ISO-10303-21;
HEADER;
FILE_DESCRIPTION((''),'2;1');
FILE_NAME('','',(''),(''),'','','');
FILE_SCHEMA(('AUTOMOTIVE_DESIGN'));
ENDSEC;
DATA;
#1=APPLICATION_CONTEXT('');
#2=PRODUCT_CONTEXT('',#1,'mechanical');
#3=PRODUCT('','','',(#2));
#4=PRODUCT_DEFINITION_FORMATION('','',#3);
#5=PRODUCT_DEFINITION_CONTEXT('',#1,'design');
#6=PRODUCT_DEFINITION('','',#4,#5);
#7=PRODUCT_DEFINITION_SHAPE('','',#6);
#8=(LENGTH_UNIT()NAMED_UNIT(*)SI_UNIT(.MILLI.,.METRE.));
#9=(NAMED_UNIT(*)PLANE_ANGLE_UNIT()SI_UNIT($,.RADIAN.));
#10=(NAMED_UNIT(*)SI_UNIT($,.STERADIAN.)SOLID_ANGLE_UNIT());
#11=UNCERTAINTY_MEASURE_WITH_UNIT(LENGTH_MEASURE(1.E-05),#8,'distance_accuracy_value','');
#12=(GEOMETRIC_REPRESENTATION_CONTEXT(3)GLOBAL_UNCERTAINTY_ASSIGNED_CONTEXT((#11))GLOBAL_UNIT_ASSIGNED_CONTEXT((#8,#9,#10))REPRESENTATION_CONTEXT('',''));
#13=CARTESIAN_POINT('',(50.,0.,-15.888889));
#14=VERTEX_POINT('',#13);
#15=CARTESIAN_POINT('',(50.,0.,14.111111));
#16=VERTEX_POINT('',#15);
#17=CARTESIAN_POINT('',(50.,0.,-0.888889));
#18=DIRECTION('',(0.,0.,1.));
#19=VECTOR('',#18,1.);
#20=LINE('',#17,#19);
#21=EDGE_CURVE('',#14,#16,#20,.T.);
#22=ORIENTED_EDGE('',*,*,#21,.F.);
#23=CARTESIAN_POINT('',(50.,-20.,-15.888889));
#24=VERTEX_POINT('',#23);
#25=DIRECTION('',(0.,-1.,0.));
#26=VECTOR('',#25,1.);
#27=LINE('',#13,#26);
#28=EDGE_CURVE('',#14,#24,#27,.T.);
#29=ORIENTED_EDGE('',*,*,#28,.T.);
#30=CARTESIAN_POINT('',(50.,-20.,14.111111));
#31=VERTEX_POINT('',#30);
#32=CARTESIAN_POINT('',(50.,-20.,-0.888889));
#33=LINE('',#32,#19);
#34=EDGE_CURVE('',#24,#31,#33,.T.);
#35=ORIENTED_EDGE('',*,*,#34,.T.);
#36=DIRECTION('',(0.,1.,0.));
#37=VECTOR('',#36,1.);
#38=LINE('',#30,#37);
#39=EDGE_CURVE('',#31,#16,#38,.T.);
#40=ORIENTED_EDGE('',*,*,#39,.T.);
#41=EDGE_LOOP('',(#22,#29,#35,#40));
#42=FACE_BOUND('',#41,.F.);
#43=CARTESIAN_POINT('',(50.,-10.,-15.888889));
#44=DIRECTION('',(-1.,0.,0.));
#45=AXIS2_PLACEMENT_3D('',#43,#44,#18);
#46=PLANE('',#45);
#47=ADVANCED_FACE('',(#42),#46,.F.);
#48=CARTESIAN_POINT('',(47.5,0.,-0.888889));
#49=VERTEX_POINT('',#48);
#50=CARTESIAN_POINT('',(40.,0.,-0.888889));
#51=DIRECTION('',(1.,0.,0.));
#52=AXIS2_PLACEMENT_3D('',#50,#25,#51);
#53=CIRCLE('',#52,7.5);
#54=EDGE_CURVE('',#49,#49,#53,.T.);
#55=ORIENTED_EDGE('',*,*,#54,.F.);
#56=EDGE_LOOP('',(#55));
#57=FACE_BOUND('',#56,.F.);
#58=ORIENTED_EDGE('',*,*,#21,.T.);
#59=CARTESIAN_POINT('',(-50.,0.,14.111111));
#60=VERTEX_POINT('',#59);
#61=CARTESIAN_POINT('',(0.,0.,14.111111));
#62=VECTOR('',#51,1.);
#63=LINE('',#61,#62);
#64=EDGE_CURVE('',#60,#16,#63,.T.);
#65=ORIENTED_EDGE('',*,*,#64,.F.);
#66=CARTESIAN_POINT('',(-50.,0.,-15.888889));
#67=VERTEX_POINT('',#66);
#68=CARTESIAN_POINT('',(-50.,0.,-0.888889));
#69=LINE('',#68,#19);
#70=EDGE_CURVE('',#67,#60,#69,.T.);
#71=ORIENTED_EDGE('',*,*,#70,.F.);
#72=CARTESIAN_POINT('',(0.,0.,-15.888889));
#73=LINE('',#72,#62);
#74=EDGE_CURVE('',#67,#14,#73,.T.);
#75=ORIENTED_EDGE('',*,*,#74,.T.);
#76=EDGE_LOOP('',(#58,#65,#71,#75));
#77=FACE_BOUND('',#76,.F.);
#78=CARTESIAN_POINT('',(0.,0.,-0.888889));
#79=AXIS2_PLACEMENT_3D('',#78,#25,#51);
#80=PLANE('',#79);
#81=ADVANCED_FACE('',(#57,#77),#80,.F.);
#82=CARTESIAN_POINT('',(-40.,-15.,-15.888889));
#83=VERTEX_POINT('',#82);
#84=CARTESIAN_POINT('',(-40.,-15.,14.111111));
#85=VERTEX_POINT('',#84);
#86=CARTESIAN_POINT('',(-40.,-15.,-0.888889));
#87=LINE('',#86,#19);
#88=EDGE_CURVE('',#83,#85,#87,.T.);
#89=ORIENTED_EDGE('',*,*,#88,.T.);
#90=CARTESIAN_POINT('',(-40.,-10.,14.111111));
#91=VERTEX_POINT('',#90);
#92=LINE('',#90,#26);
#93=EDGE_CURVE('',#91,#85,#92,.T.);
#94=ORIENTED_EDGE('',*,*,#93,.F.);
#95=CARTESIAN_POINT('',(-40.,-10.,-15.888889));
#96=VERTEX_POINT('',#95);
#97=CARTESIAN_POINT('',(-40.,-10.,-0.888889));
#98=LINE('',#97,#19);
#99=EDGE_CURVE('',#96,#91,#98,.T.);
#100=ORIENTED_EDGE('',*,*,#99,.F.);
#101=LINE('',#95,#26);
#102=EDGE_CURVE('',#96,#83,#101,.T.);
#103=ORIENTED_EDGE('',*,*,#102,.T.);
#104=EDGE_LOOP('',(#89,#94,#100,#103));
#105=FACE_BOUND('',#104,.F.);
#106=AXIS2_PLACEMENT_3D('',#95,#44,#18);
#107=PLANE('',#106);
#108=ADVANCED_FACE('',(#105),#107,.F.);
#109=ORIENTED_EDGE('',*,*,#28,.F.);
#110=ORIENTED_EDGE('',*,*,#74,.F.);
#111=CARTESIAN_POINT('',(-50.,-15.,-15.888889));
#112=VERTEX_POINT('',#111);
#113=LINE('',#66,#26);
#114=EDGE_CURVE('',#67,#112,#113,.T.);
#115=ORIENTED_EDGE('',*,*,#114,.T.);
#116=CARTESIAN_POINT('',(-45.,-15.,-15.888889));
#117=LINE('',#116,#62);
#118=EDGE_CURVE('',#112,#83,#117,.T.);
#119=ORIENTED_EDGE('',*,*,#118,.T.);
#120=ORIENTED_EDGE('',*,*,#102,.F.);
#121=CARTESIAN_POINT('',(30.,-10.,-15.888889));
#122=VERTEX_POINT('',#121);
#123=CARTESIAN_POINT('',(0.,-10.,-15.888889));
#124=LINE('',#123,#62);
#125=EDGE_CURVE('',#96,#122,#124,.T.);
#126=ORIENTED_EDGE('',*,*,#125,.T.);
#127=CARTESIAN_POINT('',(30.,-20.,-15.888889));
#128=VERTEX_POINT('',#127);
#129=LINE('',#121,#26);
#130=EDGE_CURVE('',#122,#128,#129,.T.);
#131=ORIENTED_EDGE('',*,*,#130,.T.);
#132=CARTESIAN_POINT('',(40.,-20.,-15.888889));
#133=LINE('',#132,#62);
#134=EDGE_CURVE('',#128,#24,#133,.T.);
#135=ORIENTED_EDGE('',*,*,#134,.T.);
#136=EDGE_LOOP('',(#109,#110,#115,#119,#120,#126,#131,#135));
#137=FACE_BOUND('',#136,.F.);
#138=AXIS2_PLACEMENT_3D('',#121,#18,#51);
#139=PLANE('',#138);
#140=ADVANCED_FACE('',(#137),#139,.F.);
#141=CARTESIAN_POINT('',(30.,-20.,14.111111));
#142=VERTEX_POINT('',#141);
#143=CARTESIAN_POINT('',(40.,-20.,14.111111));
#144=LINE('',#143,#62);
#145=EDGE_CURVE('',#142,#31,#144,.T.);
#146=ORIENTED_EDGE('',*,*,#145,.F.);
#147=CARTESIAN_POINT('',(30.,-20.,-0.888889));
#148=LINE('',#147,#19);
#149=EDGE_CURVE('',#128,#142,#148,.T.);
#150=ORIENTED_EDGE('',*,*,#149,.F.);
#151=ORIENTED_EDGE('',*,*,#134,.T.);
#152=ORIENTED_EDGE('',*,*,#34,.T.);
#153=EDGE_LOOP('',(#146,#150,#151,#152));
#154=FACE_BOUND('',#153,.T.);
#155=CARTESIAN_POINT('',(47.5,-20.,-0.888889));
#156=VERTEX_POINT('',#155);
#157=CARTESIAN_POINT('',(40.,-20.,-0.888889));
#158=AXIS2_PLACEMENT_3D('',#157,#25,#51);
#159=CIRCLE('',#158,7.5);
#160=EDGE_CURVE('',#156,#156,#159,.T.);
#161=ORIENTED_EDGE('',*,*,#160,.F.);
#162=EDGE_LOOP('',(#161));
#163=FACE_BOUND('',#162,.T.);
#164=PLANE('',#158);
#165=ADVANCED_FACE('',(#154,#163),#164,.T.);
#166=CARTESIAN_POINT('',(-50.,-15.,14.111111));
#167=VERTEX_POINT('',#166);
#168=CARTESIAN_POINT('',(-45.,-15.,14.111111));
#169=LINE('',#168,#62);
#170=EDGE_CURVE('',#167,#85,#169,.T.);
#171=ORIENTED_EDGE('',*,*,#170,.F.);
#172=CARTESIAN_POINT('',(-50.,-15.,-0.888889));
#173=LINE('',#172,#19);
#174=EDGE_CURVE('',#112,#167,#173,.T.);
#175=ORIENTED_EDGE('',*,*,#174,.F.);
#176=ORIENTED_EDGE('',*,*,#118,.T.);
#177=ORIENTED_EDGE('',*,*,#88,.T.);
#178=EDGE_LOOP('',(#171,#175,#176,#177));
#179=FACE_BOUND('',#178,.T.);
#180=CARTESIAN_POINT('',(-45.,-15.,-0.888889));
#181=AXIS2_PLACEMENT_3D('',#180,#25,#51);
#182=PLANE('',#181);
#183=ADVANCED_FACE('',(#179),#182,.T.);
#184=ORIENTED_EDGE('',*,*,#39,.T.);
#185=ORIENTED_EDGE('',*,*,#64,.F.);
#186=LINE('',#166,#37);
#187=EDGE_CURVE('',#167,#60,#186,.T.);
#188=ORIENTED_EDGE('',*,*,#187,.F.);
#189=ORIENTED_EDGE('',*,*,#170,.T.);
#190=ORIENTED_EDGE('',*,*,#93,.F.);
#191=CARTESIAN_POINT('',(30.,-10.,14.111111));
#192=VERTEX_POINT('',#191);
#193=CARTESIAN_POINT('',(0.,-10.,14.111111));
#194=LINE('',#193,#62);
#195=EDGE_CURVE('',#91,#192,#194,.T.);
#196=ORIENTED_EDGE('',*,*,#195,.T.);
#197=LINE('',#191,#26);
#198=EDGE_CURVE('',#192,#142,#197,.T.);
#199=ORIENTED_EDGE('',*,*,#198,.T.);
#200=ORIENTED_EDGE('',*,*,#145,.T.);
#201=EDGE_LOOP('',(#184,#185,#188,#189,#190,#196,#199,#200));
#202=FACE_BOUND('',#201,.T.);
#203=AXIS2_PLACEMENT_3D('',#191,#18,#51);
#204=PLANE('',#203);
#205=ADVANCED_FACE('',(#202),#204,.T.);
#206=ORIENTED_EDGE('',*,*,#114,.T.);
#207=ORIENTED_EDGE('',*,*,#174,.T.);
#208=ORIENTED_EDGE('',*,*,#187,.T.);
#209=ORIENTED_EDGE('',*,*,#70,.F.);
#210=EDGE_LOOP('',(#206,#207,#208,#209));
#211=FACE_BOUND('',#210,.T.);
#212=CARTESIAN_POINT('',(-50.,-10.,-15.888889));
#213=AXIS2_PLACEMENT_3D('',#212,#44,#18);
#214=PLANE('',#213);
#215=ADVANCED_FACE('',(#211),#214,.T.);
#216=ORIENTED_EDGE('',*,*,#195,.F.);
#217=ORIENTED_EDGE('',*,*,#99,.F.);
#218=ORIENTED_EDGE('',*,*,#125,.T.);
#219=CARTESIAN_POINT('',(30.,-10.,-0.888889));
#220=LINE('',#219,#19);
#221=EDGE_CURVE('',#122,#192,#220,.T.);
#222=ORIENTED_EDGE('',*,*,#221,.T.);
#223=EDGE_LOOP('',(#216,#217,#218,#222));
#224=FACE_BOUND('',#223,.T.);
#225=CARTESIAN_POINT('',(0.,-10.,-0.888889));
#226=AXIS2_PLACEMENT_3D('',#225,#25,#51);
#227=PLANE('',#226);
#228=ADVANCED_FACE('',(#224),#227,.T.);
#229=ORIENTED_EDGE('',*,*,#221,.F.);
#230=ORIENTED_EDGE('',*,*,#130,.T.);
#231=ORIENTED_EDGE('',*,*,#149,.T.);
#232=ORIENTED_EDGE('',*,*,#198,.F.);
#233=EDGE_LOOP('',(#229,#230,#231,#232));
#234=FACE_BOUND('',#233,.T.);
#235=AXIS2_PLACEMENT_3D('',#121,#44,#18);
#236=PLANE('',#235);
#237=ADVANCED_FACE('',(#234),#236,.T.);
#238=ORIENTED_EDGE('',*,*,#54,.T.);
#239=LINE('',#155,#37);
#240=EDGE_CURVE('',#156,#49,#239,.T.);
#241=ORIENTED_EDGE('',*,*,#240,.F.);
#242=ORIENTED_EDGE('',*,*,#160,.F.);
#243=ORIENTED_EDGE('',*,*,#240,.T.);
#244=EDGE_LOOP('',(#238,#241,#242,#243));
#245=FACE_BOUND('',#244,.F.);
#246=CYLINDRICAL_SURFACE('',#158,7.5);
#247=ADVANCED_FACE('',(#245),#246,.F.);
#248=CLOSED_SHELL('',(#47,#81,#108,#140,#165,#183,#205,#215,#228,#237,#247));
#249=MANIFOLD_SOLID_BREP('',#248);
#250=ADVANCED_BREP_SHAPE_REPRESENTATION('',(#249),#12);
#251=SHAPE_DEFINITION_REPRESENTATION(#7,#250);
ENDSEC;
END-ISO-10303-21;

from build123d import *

# Parameters (mm, degrees)
F0_W     = 100
F0_H     = 30
F1_DEPTH = 10
F2_W     = 10
F2_H     = 30
F3_DEPTH = 5
F4_W     = 20
F4_H     = 30
F5_DEPTH = 10
F6_R     = 7.5
F7_DEPTH = 20.001


with BuildPart() as f1:
    # F0 (on Front) → F1 (new body)
    with BuildSketch(Plane.XZ):
        with Locations((0, -0.888889)):
            Rectangle(F0_W, F0_H)
    extrude(amount=F1_DEPTH)

    # F2 (on face) → F3 (join)
    with BuildSketch(Plane.XZ.offset(10)):
        with Locations((-45, -0.888889)):
            Rectangle(F2_W, F2_H)
    extrude(amount=F3_DEPTH)

    # F4 (on face) → F5 (join)
    with BuildSketch(Plane.XZ.offset(10)):
        with Locations((40, -0.888889)):
            Rectangle(F4_W, F4_H)
    extrude(amount=F5_DEPTH)

    # F6 (on face) → F7 (cut, through all)
    with BuildSketch(Plane.XZ.offset(20)):
        with Locations((40, -0.888889)):
            Circle(F6_R)
    extrude(amount=-F7_DEPTH, mode=Mode.SUBTRACT)


solid = f1.part
